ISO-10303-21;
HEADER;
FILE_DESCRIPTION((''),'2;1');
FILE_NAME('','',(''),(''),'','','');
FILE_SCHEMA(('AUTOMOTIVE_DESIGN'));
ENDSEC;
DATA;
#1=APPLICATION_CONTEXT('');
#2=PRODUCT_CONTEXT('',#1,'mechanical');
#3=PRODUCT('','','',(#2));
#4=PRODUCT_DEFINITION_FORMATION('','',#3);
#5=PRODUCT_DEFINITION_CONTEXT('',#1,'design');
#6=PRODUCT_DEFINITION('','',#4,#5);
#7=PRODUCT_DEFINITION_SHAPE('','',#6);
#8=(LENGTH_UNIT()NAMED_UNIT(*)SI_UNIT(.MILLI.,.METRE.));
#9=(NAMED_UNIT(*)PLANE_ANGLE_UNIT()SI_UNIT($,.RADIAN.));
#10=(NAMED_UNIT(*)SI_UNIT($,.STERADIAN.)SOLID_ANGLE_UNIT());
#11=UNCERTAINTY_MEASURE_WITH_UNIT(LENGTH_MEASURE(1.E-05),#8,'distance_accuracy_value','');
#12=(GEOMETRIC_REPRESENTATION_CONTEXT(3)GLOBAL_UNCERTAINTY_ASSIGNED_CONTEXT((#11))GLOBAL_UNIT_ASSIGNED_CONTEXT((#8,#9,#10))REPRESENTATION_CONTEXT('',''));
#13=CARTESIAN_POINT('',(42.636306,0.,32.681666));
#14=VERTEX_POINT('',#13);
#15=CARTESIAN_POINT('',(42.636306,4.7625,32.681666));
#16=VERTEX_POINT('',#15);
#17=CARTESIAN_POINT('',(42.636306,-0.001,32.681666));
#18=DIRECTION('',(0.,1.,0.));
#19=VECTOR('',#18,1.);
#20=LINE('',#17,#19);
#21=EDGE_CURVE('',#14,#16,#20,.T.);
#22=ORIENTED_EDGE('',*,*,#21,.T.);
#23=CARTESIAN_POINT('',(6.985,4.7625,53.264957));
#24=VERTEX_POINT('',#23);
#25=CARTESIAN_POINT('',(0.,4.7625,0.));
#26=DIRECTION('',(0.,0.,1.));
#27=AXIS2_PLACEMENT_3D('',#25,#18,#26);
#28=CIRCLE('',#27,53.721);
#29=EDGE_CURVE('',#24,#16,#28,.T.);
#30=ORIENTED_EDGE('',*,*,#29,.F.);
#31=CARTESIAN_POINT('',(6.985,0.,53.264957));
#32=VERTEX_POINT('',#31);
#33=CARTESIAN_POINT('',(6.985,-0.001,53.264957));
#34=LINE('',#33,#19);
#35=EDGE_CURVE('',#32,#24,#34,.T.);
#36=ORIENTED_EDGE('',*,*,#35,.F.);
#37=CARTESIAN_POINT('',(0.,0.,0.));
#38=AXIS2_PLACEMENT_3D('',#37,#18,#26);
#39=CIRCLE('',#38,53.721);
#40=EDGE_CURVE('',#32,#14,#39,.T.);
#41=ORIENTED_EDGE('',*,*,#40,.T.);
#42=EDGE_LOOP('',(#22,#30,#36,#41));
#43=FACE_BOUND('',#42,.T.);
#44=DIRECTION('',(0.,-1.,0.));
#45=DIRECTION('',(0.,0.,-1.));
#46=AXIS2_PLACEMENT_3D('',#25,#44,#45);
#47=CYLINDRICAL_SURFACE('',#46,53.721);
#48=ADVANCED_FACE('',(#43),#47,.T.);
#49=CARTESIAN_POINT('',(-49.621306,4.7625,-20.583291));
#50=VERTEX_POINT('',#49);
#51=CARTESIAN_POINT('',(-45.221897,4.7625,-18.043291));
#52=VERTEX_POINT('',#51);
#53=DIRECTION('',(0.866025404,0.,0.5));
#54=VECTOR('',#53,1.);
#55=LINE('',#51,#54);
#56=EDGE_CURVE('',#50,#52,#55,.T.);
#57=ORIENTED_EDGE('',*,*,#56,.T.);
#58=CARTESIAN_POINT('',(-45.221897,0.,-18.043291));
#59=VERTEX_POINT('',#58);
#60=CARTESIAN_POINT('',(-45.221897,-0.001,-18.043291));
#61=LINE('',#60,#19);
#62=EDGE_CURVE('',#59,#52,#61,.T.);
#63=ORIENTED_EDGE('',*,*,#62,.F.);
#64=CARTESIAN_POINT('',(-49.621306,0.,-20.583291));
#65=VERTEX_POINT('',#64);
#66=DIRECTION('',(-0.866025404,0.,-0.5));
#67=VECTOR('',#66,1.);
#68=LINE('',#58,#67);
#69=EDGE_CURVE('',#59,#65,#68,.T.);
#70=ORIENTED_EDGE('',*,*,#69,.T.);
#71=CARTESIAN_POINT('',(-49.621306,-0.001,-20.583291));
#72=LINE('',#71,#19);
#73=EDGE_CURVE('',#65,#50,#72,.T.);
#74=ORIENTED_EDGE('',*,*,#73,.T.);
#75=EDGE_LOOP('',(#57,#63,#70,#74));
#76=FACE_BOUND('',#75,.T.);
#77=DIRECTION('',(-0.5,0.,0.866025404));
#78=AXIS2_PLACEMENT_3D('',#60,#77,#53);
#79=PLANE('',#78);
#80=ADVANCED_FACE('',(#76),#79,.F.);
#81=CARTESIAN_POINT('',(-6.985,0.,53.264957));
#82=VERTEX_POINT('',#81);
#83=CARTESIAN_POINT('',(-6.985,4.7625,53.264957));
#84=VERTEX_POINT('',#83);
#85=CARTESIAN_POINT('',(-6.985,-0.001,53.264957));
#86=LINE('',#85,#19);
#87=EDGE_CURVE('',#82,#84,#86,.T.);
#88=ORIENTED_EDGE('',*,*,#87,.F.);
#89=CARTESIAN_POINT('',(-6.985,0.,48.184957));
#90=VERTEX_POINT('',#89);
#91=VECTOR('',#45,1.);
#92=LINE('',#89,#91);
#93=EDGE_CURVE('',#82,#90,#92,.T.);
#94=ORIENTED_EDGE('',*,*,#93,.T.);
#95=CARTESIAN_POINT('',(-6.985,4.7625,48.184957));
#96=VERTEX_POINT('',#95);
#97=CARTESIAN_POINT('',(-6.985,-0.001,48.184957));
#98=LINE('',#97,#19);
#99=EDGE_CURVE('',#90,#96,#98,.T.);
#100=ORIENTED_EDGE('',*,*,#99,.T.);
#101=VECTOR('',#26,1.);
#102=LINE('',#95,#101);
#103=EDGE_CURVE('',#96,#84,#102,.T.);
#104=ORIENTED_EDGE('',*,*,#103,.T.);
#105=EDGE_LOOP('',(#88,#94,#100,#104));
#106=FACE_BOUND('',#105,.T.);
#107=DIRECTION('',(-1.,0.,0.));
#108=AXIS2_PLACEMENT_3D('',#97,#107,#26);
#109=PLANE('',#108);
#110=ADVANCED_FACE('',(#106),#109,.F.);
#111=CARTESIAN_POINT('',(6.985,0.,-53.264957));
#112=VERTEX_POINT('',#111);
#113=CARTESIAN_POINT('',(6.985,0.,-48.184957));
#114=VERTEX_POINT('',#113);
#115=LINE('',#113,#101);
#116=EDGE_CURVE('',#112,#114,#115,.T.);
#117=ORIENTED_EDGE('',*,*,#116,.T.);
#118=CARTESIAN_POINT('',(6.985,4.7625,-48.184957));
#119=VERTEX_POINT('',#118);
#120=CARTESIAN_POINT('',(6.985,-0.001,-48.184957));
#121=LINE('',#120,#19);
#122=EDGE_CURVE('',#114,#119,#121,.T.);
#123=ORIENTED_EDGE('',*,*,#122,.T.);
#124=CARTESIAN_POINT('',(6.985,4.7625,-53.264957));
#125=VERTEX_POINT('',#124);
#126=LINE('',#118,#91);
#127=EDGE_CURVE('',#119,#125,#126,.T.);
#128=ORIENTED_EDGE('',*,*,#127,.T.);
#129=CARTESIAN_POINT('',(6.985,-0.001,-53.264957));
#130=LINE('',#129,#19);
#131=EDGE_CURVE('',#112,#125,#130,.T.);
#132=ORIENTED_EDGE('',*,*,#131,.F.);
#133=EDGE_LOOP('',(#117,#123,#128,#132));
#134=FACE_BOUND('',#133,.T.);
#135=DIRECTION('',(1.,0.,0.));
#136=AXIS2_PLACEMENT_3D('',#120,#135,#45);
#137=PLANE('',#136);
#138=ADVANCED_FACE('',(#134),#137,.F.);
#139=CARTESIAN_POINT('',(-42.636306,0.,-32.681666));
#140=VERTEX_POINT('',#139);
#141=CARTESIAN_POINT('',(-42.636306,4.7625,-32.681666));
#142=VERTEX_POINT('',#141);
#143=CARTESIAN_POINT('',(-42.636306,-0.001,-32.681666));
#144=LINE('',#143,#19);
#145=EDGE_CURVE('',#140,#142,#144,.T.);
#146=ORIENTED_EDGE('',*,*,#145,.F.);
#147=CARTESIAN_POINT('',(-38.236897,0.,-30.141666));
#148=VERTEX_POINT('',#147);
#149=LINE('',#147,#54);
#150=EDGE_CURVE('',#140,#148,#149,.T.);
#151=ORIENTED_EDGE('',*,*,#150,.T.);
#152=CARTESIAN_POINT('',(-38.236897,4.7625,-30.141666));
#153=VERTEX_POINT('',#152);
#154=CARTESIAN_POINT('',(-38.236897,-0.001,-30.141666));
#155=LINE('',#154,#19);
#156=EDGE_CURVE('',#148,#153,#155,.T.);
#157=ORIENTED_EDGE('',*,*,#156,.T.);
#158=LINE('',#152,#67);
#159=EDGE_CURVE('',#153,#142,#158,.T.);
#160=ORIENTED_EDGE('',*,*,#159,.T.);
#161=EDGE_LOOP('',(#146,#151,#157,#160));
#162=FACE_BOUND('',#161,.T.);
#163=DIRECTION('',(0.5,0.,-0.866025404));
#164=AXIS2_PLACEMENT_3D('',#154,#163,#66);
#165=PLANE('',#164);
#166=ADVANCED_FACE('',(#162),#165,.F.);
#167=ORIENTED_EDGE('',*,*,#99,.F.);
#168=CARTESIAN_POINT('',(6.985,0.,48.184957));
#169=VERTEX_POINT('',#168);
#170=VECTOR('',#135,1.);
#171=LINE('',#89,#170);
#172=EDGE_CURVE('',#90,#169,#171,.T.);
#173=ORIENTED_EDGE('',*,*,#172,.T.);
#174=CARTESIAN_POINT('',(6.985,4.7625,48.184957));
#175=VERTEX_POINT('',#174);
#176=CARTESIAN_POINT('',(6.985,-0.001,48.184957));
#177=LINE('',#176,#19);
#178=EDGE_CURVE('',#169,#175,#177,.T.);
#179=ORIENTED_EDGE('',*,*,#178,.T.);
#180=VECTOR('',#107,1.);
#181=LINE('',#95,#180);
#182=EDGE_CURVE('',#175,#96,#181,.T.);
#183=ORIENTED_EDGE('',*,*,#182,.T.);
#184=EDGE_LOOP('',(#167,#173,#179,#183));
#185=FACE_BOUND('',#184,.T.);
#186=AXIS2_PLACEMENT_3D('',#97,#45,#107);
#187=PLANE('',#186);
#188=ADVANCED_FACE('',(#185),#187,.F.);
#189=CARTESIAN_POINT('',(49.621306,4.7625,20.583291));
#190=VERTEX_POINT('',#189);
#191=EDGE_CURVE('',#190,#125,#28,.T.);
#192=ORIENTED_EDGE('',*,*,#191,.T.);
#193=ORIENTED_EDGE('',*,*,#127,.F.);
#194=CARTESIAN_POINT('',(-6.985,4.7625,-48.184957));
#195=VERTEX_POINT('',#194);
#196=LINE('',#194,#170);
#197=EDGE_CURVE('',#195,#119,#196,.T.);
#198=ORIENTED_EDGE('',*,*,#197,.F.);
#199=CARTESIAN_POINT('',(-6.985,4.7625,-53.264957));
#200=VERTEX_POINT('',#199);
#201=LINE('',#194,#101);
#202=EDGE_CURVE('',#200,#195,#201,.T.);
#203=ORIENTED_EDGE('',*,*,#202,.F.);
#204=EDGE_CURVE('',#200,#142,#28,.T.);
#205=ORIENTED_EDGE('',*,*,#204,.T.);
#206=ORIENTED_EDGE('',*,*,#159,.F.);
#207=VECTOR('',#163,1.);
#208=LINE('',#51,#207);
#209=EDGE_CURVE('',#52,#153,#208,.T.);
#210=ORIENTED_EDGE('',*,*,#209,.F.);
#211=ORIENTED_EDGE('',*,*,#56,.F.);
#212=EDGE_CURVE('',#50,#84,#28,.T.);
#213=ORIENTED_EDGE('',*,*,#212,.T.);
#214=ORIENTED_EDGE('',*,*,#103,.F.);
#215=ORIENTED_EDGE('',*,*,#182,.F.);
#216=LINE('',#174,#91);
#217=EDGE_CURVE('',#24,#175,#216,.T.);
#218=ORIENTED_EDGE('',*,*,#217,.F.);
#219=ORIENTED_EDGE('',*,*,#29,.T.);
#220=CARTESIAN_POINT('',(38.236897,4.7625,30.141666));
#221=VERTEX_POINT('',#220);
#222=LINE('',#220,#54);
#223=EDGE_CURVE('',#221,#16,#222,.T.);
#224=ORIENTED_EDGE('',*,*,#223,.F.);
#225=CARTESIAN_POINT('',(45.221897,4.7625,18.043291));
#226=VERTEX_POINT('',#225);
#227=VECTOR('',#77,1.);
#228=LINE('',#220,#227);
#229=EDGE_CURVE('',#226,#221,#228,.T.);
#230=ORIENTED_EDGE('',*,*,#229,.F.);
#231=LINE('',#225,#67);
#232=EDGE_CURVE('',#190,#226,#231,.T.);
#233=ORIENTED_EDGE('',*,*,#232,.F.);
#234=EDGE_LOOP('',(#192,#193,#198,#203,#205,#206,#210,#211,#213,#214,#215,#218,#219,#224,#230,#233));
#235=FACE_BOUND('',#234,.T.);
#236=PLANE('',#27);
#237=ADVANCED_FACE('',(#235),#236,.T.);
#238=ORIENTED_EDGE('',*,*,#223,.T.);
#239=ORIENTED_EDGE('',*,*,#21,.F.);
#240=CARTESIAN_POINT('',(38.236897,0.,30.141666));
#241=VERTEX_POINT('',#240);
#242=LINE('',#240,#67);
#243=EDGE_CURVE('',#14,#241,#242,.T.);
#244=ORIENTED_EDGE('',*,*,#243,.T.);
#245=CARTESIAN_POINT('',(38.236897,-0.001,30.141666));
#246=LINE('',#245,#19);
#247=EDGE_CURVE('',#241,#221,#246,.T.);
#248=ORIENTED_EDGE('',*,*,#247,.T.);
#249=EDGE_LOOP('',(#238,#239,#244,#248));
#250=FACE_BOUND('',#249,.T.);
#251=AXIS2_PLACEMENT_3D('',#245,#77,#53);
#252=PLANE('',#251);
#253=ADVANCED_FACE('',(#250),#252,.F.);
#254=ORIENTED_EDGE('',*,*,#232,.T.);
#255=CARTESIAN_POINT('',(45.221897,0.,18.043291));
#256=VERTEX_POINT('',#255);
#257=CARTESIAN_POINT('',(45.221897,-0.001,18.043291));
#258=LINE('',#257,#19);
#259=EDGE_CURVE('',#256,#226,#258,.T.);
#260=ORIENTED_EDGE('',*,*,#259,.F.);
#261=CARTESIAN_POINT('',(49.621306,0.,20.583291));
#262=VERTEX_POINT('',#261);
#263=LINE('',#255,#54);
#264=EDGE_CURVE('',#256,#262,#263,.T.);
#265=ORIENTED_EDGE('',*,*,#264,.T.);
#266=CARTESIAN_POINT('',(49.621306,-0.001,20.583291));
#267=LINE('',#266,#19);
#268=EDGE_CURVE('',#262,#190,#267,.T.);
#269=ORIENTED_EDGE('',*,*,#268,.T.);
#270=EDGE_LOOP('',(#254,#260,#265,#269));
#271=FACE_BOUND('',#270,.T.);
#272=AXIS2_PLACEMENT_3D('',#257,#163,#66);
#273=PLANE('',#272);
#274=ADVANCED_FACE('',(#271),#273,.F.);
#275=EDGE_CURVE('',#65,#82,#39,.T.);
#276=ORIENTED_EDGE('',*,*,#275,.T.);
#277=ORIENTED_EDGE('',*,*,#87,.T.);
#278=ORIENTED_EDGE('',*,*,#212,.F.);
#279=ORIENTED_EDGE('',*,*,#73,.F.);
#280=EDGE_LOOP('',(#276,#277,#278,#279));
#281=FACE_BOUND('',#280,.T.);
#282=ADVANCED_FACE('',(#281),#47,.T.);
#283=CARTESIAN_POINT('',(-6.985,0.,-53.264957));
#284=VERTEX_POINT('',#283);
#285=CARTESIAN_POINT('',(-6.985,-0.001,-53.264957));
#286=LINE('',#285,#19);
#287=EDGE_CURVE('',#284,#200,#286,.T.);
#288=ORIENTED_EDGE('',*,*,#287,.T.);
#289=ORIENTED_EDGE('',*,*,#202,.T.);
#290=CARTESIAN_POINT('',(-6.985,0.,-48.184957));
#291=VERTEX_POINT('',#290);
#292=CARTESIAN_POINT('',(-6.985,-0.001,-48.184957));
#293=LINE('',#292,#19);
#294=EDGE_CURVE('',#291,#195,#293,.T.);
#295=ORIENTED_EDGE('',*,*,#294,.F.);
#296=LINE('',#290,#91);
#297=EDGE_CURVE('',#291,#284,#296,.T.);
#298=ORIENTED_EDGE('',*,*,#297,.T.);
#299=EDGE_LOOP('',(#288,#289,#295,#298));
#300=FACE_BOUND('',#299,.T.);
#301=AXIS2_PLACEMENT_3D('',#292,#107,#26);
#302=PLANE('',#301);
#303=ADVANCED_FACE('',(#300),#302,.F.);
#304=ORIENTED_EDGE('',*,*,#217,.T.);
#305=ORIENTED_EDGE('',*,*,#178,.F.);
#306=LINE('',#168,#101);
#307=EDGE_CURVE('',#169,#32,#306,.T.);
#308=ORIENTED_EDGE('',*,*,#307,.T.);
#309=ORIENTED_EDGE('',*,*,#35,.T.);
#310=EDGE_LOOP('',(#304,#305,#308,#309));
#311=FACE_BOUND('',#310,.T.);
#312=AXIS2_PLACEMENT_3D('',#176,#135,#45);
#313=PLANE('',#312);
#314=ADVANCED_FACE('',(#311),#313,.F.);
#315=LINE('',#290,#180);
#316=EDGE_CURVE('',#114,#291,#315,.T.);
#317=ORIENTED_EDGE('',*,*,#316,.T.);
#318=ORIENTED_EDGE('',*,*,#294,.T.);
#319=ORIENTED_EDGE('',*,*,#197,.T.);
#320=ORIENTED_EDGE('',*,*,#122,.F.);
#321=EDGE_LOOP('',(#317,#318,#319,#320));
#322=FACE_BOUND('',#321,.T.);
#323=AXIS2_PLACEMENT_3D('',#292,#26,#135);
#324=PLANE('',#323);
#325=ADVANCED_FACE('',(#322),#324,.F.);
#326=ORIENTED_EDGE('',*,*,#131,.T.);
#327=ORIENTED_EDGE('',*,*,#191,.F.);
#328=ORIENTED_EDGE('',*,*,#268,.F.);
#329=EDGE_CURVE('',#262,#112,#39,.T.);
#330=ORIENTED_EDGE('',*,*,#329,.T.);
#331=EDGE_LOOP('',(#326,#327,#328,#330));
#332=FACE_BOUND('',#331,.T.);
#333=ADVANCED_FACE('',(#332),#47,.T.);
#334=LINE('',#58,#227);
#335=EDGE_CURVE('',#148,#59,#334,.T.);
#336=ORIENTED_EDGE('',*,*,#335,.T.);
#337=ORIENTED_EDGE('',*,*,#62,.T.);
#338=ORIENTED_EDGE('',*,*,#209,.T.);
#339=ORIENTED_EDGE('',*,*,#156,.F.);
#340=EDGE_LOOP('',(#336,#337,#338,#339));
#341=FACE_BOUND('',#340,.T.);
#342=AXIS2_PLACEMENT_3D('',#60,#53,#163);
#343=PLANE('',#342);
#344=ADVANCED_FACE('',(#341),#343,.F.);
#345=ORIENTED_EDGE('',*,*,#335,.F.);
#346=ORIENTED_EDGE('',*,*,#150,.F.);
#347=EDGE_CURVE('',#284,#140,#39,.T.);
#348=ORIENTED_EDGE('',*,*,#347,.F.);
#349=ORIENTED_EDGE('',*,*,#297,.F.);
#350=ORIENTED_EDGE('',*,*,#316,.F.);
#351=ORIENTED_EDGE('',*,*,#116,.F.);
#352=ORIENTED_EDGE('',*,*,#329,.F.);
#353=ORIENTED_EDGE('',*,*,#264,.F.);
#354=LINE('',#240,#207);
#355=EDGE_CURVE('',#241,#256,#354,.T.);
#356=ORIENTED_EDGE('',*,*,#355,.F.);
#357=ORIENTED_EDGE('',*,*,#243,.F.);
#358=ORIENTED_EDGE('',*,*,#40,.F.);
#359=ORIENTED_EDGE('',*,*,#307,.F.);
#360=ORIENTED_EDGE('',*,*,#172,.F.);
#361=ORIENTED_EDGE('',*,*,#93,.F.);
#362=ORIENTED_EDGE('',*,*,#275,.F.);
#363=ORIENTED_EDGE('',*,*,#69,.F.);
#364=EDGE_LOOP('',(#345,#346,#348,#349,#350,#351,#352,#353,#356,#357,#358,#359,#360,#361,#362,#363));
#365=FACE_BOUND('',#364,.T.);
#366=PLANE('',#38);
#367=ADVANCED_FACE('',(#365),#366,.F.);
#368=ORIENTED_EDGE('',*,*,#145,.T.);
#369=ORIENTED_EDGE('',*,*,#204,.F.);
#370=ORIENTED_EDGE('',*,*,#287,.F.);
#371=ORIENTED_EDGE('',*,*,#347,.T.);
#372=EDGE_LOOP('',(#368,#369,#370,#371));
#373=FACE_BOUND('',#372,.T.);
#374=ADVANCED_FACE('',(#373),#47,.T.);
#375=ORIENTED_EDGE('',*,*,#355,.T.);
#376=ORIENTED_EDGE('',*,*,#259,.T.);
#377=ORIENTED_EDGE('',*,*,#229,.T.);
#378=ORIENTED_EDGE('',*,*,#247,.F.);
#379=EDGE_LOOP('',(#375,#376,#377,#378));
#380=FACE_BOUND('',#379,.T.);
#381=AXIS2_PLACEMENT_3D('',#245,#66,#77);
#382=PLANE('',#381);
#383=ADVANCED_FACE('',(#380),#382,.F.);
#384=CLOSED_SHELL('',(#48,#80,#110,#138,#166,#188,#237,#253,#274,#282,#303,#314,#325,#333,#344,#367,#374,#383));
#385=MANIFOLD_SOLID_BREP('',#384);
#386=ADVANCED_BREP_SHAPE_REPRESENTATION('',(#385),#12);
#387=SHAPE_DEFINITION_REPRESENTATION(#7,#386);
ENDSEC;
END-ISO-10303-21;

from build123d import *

# Parameters (mm, degrees)
SKETCH1_R           = 53.721
BOSS_EXTRUDE1_DEPTH = 4.7625
CUT_EXTRUDE1_REACH  = 78.122
CUT_EXTRUDE2_REACH  = 77.801


with BuildPart() as part:
    # Sketch1 → Boss-Extrude1 (new body)
    with BuildSketch(Plane(origin=(0, 0, 0), x_dir=(1, 0, 0), z_dir=(0, 1, 0))):
        with Locations(Location((0, 0, 0), (0, 0, 90))):
            Circle(SKETCH1_R)
    extrude(amount=BOSS_EXTRUDE1_DEPTH)

    # Sketch2 → Cut-Extrude1 (cut, up to next)
    with BuildSketch(Plane(origin=(0, 4.7625, 0), x_dir=(1, 0, 0), z_dir=(0, 1, 0)), mode=Mode.PRIVATE) as cut_extrude1_sk1:
        with BuildLine():
            Line((-6.985, -48.184956735), (6.985, -48.184956735))
            Line((6.985, -48.184956735), (6.985, -53.264956735))
            ThreePointArc((6.985, -53.264956735), (0, -53.721), (-6.985, -53.264956735))
            Line((-6.985, -53.264956735), (-6.985, -48.184956735))
        make_face()
    cut_extrude1_tool1 = extrude(cut_extrude1_sk1.sketch, amount=-CUT_EXTRUDE1_REACH, mode=Mode.PRIVATE) & part.part
    # Sketch2 → Cut-Extrude1 (cut, up to next)
    with BuildSketch(Plane(origin=(0, 4.7625, 0), x_dir=(1, 0, 0), z_dir=(0, 1, 0)), mode=Mode.PRIVATE) as cut_extrude1_sk2:
        with BuildLine():
            Line((6.985, 48.184956735), (6.985, 53.264956735))
            ThreePointArc((6.985, 53.264956735), (0, 53.721), (-6.985, 53.264956735))
            Line((-6.985, 53.264956735), (-6.985, 48.184956735))
            Line((-6.985, 48.184956735), (6.985, 48.184956735))
        make_face()
    cut_extrude1_tool2 = extrude(cut_extrude1_sk2.sketch, amount=-CUT_EXTRUDE1_REACH, mode=Mode.PRIVATE) & part.part
    add(cut_extrude1_tool1.solids().sort_by_distance((0, 4.7625, 50.878815))[0], mode=Mode.SUBTRACT)
    add(cut_extrude1_tool2.solids().sort_by_distance((0, 4.7625, -50.878815))[0], mode=Mode.SUBTRACT)

    # Sketch3 → Cut-Extrude2 (cut, up to next)
    with BuildSketch(Plane(origin=(0, 4.7625, 0), x_dir=(1, 0, 0), z_dir=(0, 1, 0)), mode=Mode.PRIVATE) as cut_extrude2_sk1:
        with BuildLine():
            Line((38.236896613, -30.141665813), (45.221896613, -18.043290922))
            Line((45.221896613, -18.043290922), (49.621305664, -20.583290922))
            ThreePointArc((49.621305664, -20.583290922), (46.523750717, -26.8605), (42.636305664, -32.681665813))
            Line((42.636305664, -32.681665813), (38.236896613, -30.141665813))
        make_face()
    cut_extrude2_tool1 = extrude(cut_extrude2_sk1.sketch, amount=-CUT_EXTRUDE2_REACH, mode=Mode.PRIVATE) & part.part
    # Sketch3 → Cut-Extrude2 (cut, up to next)
    with BuildSketch(Plane(origin=(0, 4.7625, 0), x_dir=(1, 0, 0), z_dir=(0, 1, 0)), mode=Mode.PRIVATE) as cut_extrude2_sk2:
        with BuildLine():
            Line((-45.221896613, 18.043290922), (-49.621305664, 20.583290922))
            ThreePointArc((-49.621305664, 20.583290922), (-46.523750717, 26.8605), (-42.636305664, 32.681665813))
            Line((-42.636305664, 32.681665813), (-38.236896613, 30.141665813))
            Line((-38.236896613, 30.141665813), (-45.221896613, 18.043290922))
        make_face()
    cut_extrude2_tool2 = extrude(cut_extrude2_sk2.sketch, amount=-CUT_EXTRUDE2_REACH, mode=Mode.PRIVATE) & part.part
    add(cut_extrude2_tool1.solids().sort_by_distance((44.062347, 4.7625, 25.439408))[0], mode=Mode.SUBTRACT)
    add(cut_extrude2_tool2.solids().sort_by_distance((-44.062347, 4.7625, -25.439408))[0], mode=Mode.SUBTRACT)


solid = part.part
